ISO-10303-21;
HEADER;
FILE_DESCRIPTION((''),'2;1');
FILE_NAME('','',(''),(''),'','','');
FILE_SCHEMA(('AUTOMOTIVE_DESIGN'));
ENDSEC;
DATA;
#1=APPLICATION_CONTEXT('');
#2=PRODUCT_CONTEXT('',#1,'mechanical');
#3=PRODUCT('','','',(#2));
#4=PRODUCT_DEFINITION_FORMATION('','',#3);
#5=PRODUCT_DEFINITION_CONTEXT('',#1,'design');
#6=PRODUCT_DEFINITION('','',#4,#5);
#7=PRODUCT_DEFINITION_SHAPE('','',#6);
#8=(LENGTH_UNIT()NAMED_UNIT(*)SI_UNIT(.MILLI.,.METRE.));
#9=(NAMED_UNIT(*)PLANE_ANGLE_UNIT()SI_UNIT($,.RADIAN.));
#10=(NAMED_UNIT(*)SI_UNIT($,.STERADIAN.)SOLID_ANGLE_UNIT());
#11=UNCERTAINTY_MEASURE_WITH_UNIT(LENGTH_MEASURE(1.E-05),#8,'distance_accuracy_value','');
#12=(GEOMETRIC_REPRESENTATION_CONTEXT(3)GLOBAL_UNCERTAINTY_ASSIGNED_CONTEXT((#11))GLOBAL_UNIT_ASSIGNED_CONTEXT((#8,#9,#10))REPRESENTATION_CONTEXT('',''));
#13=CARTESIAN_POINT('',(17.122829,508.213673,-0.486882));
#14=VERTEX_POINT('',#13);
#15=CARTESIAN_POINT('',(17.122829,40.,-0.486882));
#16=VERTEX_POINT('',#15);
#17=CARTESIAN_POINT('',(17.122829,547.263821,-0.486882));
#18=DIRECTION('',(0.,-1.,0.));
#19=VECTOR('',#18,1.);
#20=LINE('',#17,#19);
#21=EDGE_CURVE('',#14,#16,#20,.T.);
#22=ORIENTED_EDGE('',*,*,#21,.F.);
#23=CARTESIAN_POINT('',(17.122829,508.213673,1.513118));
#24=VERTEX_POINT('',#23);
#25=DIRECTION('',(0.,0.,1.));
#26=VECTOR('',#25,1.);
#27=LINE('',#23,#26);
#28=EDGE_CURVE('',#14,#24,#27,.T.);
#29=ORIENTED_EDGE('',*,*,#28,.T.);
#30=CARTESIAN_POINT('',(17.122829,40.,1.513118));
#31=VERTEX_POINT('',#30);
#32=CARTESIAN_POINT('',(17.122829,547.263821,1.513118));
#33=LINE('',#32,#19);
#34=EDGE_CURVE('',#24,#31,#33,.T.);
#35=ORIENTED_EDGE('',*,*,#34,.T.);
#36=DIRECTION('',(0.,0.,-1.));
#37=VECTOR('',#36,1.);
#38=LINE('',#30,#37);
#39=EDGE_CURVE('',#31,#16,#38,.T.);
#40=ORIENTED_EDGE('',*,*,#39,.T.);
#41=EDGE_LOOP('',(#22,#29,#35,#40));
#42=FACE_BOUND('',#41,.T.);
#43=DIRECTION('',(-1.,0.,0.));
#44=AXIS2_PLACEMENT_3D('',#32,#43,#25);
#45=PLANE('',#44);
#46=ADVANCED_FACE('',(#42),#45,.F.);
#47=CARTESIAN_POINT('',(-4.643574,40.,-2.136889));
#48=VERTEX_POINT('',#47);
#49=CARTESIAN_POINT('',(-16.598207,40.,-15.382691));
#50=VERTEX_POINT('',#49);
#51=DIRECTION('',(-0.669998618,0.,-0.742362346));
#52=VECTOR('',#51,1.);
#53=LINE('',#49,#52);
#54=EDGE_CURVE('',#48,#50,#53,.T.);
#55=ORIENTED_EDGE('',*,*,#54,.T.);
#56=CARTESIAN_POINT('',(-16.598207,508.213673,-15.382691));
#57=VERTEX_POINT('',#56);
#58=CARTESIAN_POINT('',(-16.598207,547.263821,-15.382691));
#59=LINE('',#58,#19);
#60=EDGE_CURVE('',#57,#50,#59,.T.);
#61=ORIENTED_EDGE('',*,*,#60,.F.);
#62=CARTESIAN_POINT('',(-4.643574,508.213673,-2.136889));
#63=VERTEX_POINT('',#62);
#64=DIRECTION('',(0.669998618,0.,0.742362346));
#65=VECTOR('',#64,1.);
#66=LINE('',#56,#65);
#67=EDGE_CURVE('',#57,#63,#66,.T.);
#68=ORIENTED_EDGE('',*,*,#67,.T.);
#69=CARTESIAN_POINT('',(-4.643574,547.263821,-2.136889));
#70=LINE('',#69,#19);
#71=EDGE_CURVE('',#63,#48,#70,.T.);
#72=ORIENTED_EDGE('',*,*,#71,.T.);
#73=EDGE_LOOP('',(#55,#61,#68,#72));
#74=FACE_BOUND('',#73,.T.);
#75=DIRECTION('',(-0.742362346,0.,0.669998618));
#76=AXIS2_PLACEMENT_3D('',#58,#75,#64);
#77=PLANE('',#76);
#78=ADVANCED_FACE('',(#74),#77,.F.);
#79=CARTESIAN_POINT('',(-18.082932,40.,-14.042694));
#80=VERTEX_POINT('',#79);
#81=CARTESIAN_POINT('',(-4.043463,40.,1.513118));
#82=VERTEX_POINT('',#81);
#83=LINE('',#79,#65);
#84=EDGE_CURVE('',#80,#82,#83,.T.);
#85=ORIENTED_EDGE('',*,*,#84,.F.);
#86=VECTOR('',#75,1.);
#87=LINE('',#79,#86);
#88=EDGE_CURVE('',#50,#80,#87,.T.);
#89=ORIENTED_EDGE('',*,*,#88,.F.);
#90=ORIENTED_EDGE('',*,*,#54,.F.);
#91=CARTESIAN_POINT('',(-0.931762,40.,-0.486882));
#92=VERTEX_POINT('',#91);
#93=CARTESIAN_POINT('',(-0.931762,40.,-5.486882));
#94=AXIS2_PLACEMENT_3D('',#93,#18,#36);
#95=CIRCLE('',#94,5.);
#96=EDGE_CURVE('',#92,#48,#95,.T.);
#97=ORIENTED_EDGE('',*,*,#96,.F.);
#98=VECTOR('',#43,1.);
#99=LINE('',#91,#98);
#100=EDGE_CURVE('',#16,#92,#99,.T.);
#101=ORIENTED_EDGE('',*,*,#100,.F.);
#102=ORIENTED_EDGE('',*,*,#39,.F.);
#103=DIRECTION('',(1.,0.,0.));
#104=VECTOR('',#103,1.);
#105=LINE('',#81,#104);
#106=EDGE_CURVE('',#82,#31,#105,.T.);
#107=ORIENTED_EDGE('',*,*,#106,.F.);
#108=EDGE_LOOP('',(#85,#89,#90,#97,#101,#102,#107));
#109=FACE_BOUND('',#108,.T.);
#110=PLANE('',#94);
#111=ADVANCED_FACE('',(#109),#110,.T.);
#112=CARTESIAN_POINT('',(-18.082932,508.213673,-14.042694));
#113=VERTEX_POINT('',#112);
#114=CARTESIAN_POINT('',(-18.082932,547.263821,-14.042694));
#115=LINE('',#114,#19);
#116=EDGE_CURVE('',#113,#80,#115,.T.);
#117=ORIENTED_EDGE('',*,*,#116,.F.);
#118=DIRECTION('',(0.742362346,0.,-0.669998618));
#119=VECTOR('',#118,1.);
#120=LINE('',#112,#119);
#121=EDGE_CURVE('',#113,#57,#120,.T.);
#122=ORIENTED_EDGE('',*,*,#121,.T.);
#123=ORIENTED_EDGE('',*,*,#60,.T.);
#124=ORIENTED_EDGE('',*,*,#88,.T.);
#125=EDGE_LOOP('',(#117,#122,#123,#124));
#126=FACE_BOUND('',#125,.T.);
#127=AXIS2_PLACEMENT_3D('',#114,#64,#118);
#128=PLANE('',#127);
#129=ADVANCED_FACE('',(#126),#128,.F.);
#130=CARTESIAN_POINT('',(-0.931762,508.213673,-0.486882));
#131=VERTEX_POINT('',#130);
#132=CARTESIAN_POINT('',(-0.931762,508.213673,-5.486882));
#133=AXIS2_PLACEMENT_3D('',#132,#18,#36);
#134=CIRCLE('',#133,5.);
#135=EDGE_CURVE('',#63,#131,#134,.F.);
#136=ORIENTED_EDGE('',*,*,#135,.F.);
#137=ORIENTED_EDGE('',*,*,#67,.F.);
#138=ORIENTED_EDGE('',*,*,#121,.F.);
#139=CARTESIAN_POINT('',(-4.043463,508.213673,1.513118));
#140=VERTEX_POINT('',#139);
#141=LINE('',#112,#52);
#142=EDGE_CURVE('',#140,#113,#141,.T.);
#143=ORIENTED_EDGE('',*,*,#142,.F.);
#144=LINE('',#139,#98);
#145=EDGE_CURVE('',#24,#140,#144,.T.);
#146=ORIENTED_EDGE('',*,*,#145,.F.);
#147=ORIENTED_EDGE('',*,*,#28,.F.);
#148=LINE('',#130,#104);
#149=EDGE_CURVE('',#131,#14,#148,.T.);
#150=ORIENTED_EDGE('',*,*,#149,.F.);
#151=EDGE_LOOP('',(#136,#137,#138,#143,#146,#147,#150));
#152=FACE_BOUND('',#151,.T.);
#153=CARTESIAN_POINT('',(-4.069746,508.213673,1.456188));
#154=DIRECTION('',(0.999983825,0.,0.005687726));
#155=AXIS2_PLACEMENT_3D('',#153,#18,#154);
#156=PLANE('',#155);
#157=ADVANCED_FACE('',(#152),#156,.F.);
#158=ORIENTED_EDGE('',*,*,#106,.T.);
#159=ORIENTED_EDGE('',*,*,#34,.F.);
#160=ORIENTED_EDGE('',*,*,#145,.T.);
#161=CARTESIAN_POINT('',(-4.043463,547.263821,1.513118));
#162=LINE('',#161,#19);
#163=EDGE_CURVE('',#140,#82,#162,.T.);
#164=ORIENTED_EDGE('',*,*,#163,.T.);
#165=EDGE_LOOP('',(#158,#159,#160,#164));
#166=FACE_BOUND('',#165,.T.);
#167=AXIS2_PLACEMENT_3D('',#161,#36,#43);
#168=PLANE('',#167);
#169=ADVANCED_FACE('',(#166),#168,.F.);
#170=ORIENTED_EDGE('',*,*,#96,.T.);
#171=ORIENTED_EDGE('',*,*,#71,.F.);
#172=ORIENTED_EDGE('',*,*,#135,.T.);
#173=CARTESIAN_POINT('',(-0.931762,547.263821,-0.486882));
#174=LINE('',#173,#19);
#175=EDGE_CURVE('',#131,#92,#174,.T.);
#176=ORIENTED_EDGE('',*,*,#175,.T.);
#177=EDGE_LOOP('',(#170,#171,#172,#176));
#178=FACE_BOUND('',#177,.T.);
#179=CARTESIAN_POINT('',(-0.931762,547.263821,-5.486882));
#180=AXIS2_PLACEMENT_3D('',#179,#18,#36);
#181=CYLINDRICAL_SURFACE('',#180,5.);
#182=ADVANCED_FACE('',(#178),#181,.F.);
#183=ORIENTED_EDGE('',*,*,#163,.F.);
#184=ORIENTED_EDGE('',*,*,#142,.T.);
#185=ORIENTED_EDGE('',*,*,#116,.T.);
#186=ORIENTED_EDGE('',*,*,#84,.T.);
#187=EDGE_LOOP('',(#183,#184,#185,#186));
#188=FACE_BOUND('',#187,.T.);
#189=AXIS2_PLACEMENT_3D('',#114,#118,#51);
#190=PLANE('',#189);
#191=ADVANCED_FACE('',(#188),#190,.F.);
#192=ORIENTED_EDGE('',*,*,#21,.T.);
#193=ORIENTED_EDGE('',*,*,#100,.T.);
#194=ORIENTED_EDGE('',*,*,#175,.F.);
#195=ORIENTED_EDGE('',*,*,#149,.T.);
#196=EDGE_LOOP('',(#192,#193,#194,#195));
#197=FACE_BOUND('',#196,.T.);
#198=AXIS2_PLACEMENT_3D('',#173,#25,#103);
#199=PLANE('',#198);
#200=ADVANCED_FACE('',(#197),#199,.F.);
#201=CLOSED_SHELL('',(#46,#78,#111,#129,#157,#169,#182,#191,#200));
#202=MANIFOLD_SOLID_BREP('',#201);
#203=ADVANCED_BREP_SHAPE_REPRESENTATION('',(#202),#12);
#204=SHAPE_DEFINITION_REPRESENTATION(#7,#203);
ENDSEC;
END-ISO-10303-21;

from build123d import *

# Parameters (mm, degrees)
EXTRUDE_START   = 40
EXTRUDE_1_DEPTH = 468.213673317


with BuildPart() as part:
    # Эскиз1 → Вытянуть1 (new body)
    with BuildSketch(Plane(origin=(0, 0, 0), x_dir=(1, 0, 0), z_dir=(0, 1, 0)).offset(EXTRUDE_START)):
        with BuildLine():
            Line((-18.082932157, 14.04269419), (-16.598207466, 15.382691425))
            Line((-16.598207466, 15.382691425), (-4.643574191, 2.136888581))
            ThreePointArc((-4.643574191, 2.136888581), (-2.962776318, 0.91796684), (-0.931762463, 0.48688167))
            Line((-0.931762463, 0.48688167), (17.122829042, 0.48688167))
            Line((17.122829042, 0.48688167), (17.122829042, -1.51311833))
            Line((17.122829042, -1.51311833), (-4.043463493, -1.51311833))
            Line((-4.043463493, -1.51311833), (-18.082932157, 14.04269419))
        make_face()
    extrude(amount=EXTRUDE_1_DEPTH)


solid = part.part
